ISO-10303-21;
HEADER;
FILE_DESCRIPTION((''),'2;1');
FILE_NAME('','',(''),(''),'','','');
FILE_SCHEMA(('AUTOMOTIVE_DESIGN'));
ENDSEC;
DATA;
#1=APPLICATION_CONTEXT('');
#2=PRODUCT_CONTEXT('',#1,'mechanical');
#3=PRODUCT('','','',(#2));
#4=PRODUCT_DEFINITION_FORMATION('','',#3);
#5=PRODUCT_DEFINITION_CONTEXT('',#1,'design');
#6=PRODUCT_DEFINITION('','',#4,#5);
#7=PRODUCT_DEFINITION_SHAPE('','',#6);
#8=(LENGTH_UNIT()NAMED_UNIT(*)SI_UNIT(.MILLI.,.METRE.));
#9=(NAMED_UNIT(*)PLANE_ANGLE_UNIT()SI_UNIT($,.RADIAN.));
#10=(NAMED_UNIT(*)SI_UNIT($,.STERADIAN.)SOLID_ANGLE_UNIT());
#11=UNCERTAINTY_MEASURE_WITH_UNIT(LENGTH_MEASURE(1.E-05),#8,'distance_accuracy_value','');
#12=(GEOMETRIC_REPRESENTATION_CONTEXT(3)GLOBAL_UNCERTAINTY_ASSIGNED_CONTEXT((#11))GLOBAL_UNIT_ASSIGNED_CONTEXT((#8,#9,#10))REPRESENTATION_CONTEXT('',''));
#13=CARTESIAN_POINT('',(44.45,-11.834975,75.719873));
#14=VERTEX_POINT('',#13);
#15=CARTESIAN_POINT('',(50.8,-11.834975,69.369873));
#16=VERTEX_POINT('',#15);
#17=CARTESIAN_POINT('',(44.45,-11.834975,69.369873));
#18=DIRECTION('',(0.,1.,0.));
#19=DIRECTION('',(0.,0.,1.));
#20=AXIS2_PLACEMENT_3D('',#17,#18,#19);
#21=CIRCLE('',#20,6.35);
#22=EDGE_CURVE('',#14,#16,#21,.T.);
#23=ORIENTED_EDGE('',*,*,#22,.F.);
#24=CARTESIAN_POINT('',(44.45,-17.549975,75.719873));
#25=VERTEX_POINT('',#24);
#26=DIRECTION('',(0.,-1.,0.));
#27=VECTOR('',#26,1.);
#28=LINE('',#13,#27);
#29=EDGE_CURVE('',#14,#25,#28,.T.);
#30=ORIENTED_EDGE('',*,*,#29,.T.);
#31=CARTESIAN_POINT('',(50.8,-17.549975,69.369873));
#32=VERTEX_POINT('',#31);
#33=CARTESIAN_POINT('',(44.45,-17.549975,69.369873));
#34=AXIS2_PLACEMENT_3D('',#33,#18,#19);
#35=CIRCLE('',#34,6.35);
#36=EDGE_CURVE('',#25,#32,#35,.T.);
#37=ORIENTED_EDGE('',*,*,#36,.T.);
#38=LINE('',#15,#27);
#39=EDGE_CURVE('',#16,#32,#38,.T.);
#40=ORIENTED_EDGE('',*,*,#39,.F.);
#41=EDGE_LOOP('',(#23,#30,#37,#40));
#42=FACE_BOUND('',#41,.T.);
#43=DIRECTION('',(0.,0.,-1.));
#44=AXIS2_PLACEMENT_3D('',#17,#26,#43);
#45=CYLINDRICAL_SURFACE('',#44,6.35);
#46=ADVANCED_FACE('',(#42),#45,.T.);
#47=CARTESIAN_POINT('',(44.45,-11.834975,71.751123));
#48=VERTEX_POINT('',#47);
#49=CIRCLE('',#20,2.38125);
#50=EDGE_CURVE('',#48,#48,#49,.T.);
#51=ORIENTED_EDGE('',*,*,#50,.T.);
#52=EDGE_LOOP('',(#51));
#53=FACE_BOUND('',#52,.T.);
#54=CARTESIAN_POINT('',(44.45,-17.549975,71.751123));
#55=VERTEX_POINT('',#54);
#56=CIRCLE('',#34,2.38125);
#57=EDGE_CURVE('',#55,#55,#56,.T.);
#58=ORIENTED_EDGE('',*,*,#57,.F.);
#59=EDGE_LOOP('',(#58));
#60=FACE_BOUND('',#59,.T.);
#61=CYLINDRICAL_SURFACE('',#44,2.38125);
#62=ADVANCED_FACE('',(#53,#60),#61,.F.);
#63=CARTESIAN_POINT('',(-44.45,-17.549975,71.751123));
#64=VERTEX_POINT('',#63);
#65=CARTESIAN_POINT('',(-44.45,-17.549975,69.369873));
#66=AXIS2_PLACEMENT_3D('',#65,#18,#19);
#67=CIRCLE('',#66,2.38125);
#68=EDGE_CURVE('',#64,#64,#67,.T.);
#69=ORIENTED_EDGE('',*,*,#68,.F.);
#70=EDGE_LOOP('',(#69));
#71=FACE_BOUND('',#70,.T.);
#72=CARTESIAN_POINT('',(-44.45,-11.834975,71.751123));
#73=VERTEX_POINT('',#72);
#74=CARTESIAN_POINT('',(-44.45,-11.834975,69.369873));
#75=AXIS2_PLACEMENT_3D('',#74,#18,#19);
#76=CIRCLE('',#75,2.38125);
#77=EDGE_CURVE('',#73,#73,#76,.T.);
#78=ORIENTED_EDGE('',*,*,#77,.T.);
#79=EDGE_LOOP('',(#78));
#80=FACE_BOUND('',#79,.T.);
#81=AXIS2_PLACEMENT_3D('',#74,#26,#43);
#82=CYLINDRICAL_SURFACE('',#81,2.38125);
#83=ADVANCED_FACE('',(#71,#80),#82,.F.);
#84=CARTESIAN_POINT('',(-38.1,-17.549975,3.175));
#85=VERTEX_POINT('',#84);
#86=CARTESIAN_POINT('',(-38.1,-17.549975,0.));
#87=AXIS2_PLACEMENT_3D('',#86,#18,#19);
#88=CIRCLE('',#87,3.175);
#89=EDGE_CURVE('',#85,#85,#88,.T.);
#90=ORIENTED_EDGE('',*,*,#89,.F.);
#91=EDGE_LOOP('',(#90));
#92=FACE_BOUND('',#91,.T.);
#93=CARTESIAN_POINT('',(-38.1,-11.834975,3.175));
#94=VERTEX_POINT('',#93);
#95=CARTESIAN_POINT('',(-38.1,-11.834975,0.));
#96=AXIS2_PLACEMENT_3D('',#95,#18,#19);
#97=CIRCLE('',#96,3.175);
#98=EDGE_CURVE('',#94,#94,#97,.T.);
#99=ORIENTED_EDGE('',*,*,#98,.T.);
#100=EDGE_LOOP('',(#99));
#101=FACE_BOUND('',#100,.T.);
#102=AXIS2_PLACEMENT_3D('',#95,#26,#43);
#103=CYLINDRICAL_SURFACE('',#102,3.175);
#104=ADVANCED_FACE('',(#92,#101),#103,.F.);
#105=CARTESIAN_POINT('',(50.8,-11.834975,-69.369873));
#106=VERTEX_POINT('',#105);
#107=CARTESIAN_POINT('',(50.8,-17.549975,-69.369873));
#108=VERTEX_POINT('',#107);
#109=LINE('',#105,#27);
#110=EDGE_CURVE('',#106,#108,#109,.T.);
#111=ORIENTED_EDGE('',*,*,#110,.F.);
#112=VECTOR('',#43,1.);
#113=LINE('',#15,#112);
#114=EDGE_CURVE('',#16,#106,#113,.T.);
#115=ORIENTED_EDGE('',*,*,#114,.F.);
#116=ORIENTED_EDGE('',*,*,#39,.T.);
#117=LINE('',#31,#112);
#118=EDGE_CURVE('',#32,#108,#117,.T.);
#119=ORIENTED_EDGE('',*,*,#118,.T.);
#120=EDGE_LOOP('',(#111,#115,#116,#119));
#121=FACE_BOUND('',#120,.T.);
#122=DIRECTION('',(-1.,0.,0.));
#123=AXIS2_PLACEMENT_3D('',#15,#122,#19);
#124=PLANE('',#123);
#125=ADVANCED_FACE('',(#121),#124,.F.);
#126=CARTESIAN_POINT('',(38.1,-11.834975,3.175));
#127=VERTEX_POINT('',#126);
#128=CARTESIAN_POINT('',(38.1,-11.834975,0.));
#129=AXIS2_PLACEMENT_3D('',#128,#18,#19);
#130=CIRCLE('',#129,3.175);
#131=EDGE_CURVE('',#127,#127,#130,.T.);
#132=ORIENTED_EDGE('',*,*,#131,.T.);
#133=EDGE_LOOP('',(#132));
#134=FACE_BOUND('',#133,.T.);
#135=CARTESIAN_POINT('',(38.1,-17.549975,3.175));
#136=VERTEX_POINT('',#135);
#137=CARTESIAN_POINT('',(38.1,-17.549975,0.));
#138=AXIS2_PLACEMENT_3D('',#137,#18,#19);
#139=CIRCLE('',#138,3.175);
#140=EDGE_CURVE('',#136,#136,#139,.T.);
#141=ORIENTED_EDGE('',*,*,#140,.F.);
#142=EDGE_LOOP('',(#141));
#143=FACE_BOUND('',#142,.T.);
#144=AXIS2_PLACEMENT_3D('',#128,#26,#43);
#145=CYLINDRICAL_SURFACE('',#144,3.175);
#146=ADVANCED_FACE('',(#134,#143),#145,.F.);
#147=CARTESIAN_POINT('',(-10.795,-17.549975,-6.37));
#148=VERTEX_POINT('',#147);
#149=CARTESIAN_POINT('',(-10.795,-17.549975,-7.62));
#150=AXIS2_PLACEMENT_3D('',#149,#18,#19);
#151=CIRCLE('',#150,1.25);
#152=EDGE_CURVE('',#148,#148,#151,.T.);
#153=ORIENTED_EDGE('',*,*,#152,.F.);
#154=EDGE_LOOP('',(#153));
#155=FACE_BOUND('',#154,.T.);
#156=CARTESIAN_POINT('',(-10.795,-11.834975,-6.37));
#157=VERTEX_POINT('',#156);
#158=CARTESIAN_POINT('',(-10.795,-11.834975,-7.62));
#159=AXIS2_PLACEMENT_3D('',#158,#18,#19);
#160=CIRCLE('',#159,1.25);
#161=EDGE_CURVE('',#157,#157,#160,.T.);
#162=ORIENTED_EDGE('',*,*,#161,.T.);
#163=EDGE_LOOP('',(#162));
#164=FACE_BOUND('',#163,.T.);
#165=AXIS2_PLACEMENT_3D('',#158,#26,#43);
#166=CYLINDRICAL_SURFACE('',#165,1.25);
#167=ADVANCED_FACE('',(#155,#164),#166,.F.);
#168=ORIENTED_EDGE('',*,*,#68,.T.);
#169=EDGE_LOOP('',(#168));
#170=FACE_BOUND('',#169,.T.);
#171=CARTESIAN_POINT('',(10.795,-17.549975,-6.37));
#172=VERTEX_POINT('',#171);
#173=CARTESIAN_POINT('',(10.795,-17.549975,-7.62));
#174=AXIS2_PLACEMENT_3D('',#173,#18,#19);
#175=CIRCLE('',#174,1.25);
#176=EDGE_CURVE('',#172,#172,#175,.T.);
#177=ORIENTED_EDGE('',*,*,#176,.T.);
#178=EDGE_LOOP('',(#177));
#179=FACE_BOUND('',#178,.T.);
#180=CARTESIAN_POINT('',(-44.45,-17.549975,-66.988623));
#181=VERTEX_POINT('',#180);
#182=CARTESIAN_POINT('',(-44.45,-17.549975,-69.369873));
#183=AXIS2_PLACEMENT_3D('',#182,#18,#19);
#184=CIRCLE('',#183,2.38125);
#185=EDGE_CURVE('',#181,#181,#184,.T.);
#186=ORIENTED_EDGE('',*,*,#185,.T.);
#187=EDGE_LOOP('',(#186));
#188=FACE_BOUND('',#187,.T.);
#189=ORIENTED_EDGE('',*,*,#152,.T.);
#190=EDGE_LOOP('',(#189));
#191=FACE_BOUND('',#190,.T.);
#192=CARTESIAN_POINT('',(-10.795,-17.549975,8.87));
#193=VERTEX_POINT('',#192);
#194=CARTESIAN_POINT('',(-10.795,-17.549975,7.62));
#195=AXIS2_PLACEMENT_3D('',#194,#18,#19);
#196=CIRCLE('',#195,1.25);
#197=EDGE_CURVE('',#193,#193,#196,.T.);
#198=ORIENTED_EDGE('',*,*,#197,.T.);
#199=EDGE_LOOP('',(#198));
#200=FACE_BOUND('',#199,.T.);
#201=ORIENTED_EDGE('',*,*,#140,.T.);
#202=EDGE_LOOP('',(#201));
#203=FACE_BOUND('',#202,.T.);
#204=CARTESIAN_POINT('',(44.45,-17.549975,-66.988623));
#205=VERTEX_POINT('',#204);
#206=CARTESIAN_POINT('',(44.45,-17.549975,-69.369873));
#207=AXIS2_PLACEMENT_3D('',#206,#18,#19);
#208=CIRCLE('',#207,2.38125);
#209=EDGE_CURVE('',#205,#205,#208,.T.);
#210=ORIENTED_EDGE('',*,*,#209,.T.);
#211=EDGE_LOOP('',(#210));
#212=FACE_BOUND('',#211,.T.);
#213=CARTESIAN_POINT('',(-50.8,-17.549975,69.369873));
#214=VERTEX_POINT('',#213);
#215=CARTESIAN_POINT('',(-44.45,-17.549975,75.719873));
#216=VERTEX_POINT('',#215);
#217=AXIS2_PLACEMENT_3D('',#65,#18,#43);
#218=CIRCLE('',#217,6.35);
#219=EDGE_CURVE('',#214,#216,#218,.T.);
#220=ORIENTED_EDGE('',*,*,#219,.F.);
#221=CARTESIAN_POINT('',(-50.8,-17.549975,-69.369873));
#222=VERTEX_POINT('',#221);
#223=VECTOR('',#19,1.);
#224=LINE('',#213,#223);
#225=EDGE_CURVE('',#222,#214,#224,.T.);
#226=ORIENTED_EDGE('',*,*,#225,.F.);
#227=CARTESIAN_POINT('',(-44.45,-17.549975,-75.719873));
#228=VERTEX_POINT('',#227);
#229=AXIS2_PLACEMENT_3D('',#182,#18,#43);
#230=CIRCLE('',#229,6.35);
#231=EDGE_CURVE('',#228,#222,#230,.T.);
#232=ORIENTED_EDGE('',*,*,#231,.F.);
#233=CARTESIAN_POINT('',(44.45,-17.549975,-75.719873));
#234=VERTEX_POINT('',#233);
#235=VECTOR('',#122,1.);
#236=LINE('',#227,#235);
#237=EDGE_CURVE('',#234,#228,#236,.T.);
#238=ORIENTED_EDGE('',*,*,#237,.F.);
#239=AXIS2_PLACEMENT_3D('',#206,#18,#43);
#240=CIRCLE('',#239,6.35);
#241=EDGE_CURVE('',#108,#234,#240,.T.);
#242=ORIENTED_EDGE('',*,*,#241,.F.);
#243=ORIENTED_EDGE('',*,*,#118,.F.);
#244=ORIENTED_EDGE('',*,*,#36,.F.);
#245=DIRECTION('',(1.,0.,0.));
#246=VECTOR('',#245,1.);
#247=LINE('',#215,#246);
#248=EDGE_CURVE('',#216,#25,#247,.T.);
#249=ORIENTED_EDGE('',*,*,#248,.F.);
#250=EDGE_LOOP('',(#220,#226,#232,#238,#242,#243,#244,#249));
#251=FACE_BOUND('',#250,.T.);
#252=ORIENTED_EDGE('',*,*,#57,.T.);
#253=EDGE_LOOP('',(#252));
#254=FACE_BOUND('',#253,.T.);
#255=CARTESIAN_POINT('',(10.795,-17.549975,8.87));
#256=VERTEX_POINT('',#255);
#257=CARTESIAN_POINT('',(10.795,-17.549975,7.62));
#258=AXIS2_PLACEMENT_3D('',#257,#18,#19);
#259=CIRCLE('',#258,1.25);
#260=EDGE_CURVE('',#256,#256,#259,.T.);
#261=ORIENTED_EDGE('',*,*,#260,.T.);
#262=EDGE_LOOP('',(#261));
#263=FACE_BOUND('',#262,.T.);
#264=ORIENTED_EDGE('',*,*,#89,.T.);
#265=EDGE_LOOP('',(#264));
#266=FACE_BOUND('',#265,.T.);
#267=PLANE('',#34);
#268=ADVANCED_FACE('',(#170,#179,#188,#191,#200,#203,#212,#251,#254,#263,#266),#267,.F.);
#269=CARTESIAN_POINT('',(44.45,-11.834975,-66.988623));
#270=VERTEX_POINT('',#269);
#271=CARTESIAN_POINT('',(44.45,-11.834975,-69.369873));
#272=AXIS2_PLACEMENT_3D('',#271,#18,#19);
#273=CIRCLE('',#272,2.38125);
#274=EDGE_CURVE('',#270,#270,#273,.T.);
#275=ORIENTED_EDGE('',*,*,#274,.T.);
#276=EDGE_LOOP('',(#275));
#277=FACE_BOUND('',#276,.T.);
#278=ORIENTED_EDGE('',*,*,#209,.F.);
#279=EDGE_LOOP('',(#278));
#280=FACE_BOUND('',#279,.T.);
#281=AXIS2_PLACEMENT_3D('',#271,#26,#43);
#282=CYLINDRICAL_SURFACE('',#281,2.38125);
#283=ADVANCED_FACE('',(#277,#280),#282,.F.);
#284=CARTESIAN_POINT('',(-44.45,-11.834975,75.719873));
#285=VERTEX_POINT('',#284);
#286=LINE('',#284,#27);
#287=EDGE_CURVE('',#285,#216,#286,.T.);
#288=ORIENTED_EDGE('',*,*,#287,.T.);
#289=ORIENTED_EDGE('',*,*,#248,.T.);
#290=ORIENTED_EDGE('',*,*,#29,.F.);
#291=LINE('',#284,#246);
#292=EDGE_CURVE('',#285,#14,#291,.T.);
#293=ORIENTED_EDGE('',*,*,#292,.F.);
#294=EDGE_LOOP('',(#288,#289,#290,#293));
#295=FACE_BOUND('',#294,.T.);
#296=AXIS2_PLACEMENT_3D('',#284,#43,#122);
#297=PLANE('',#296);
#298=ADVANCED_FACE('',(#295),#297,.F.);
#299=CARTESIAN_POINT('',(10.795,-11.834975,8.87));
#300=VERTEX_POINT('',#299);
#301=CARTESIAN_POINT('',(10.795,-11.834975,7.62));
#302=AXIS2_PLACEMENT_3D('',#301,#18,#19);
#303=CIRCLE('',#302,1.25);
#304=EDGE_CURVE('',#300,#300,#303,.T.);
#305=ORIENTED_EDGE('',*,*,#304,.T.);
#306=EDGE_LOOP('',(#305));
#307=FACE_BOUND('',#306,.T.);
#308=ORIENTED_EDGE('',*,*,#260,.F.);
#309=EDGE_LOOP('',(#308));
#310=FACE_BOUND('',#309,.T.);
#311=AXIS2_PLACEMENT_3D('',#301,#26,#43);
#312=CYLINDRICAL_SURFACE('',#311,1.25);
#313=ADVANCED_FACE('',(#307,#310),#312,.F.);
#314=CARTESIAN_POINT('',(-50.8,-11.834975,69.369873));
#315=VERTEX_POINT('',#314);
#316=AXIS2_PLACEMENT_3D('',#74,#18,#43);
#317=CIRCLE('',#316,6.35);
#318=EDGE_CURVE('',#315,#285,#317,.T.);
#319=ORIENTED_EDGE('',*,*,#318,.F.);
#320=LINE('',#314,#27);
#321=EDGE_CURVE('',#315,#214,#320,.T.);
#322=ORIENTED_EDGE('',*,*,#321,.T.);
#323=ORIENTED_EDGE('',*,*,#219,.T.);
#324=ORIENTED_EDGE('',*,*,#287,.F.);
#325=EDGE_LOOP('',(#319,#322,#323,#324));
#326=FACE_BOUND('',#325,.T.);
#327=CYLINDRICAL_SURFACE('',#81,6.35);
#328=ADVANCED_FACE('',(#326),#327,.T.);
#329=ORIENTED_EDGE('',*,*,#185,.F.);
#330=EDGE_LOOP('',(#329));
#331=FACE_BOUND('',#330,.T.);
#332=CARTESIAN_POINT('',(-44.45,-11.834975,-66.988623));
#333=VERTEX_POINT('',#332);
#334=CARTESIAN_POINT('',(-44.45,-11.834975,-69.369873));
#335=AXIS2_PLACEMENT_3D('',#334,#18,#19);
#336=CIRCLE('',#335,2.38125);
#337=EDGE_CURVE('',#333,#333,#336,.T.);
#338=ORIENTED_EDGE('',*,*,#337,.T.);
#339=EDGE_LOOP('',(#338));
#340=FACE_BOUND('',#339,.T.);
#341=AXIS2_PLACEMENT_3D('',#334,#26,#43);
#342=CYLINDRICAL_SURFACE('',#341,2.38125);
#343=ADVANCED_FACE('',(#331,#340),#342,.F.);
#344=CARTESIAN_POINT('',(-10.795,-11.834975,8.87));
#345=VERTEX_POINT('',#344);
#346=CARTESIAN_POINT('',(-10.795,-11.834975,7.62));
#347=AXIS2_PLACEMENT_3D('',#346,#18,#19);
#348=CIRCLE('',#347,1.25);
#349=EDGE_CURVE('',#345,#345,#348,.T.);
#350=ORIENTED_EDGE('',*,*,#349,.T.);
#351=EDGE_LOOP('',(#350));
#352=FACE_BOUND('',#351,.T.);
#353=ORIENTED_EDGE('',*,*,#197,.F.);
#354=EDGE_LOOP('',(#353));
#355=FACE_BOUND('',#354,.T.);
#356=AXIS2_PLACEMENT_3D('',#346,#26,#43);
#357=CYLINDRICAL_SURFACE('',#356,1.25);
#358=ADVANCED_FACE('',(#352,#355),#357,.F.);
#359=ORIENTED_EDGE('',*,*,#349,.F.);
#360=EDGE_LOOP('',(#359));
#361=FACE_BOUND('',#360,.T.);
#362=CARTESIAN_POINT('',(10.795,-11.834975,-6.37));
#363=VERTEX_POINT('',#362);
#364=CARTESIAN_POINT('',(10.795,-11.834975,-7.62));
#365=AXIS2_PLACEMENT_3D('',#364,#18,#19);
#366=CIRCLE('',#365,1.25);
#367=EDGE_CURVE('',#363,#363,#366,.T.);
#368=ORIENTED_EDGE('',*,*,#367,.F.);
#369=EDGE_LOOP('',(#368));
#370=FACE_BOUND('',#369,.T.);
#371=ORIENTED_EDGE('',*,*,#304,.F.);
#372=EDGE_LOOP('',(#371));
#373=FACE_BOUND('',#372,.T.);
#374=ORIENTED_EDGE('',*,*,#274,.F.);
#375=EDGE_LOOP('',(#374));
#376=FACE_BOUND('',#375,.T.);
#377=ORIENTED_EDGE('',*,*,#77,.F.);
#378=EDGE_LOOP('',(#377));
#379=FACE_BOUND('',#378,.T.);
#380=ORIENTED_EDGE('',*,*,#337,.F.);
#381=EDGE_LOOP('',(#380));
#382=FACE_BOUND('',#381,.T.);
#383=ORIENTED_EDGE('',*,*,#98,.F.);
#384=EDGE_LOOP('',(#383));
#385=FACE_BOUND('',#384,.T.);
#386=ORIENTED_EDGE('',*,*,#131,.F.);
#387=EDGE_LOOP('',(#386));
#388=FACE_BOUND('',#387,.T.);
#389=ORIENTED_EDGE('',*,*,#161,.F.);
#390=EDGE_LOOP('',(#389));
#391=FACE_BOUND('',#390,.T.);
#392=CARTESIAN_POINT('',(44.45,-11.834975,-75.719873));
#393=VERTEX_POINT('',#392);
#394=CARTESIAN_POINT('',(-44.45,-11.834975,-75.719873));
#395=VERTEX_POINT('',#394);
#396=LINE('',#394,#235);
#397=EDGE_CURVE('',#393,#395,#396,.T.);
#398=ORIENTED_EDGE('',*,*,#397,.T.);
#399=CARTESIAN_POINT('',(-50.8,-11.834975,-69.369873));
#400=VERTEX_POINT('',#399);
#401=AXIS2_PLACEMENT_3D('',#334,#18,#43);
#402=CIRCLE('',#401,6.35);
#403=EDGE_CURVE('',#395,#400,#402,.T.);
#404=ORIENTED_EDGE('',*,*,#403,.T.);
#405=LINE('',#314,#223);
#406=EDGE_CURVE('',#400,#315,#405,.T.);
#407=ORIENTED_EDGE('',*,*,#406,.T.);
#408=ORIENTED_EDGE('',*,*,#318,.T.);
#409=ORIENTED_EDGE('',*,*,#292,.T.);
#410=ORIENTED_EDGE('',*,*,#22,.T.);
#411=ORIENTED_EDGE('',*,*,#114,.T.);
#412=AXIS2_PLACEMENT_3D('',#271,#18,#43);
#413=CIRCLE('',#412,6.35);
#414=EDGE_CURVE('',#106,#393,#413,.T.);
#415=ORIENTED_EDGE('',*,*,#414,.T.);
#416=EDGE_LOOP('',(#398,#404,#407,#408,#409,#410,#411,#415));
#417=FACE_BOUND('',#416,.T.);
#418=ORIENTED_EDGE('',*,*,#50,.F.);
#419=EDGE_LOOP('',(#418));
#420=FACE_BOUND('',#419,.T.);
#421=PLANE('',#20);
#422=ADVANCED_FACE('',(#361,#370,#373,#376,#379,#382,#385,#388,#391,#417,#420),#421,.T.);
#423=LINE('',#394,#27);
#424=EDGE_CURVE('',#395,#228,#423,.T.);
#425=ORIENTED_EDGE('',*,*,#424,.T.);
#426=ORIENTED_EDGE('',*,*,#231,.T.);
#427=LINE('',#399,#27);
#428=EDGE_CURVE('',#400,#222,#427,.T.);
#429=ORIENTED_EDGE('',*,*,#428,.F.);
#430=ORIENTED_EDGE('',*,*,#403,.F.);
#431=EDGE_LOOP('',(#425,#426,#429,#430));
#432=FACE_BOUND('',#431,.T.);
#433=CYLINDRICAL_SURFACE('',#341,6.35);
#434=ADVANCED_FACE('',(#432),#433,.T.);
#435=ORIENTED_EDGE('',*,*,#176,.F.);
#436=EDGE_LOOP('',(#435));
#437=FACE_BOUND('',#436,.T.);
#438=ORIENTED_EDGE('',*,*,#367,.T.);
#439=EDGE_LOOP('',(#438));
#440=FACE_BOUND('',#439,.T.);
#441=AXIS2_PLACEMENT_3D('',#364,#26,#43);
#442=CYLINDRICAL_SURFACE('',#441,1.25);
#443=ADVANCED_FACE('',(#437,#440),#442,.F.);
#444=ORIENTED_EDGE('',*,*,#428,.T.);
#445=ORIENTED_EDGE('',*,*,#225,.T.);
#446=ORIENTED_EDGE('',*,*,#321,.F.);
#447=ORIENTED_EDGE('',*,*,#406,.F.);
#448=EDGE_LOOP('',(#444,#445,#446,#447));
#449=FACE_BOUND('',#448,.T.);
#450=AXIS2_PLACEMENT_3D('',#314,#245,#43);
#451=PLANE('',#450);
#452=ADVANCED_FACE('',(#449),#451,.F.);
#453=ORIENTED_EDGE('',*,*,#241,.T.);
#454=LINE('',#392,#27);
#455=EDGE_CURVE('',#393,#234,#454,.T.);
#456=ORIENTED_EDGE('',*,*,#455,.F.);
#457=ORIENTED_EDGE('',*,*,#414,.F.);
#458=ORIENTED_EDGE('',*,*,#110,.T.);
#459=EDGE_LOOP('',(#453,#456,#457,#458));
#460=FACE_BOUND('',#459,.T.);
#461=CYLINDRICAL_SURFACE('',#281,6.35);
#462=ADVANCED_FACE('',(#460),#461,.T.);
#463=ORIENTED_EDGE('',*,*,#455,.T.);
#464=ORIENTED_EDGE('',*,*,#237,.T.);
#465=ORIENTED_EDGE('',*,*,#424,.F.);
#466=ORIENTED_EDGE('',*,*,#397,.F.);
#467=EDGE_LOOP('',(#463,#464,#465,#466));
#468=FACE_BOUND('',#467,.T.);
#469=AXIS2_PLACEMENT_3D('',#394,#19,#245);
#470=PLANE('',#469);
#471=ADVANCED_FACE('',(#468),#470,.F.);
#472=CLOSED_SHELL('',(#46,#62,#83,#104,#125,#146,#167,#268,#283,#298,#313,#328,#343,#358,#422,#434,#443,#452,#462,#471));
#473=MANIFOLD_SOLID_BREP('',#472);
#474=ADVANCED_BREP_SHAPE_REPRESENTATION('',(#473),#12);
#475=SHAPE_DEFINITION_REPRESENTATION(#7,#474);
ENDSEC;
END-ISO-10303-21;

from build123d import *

# Parameters (mm, degrees)
SKETCH1_R           = 1.25
SKETCH1_R_2         = 3.175
SKETCH1_R_3         = 2.38125
BOSS_EXTRUDE1_DEPTH = 5.715


with BuildPart() as part:
    # Sketch1 → Boss-Extrude1 (new body)
    with BuildSketch(Plane(origin=(0, -17.549974667, 0), x_dir=(1, 0, 0), z_dir=(0, 1, 0))):
        with BuildLine():
            Line((-44.45, -75.719872981), (44.45, -75.719872981))
            ThreePointArc((44.45, -75.719872981), (48.940128061, -73.860001042), (50.8, -69.369872981))
            Line((50.8, -69.369872981), (50.8, 69.369872981))
            ThreePointArc((50.8, 69.369872981), (48.940128061, 73.860001042), (44.45, 75.719872981))
            Line((44.45, 75.719872981), (-44.45, 75.719872981))
            ThreePointArc((-44.45, 75.719872981), (-48.940128061, 73.860001042), (-50.8, 69.369872981))
            Line((-50.8, 69.369872981), (-50.8, -69.369872981))
            ThreePointArc((-50.8, -69.369872981), (-48.940128061, -73.860001042), (-44.45, -75.719872981))
        make_face()
        with Locations((-10.795, 7.62)):
            Circle(SKETCH1_R, mode=Mode.SUBTRACT)
        with Locations((-10.795, -7.62)):
            Circle(SKETCH1_R, mode=Mode.SUBTRACT)
        with Locations((10.795, -7.62)):
            Circle(SKETCH1_R, mode=Mode.SUBTRACT)
        with Locations((10.795, 7.62)):
            Circle(SKETCH1_R, mode=Mode.SUBTRACT)
        with Locations((38.1, 0)):
            Circle(SKETCH1_R_2, mode=Mode.SUBTRACT)
        with Locations((-38.1, 0)):
            Circle(SKETCH1_R_2, mode=Mode.SUBTRACT)
        with Locations((44.45, 69.369872981)):
            Circle(SKETCH1_R_3, mode=Mode.SUBTRACT)
        with Locations((-44.45, 69.369872981)):
            Circle(SKETCH1_R_3, mode=Mode.SUBTRACT)
        with Locations((-44.45, -69.369872981)):
            Circle(SKETCH1_R_3, mode=Mode.SUBTRACT)
        with Locations((44.45, -69.369872981)):
            Circle(SKETCH1_R_3, mode=Mode.SUBTRACT)
    extrude(amount=BOSS_EXTRUDE1_DEPTH)


solid = part.part
